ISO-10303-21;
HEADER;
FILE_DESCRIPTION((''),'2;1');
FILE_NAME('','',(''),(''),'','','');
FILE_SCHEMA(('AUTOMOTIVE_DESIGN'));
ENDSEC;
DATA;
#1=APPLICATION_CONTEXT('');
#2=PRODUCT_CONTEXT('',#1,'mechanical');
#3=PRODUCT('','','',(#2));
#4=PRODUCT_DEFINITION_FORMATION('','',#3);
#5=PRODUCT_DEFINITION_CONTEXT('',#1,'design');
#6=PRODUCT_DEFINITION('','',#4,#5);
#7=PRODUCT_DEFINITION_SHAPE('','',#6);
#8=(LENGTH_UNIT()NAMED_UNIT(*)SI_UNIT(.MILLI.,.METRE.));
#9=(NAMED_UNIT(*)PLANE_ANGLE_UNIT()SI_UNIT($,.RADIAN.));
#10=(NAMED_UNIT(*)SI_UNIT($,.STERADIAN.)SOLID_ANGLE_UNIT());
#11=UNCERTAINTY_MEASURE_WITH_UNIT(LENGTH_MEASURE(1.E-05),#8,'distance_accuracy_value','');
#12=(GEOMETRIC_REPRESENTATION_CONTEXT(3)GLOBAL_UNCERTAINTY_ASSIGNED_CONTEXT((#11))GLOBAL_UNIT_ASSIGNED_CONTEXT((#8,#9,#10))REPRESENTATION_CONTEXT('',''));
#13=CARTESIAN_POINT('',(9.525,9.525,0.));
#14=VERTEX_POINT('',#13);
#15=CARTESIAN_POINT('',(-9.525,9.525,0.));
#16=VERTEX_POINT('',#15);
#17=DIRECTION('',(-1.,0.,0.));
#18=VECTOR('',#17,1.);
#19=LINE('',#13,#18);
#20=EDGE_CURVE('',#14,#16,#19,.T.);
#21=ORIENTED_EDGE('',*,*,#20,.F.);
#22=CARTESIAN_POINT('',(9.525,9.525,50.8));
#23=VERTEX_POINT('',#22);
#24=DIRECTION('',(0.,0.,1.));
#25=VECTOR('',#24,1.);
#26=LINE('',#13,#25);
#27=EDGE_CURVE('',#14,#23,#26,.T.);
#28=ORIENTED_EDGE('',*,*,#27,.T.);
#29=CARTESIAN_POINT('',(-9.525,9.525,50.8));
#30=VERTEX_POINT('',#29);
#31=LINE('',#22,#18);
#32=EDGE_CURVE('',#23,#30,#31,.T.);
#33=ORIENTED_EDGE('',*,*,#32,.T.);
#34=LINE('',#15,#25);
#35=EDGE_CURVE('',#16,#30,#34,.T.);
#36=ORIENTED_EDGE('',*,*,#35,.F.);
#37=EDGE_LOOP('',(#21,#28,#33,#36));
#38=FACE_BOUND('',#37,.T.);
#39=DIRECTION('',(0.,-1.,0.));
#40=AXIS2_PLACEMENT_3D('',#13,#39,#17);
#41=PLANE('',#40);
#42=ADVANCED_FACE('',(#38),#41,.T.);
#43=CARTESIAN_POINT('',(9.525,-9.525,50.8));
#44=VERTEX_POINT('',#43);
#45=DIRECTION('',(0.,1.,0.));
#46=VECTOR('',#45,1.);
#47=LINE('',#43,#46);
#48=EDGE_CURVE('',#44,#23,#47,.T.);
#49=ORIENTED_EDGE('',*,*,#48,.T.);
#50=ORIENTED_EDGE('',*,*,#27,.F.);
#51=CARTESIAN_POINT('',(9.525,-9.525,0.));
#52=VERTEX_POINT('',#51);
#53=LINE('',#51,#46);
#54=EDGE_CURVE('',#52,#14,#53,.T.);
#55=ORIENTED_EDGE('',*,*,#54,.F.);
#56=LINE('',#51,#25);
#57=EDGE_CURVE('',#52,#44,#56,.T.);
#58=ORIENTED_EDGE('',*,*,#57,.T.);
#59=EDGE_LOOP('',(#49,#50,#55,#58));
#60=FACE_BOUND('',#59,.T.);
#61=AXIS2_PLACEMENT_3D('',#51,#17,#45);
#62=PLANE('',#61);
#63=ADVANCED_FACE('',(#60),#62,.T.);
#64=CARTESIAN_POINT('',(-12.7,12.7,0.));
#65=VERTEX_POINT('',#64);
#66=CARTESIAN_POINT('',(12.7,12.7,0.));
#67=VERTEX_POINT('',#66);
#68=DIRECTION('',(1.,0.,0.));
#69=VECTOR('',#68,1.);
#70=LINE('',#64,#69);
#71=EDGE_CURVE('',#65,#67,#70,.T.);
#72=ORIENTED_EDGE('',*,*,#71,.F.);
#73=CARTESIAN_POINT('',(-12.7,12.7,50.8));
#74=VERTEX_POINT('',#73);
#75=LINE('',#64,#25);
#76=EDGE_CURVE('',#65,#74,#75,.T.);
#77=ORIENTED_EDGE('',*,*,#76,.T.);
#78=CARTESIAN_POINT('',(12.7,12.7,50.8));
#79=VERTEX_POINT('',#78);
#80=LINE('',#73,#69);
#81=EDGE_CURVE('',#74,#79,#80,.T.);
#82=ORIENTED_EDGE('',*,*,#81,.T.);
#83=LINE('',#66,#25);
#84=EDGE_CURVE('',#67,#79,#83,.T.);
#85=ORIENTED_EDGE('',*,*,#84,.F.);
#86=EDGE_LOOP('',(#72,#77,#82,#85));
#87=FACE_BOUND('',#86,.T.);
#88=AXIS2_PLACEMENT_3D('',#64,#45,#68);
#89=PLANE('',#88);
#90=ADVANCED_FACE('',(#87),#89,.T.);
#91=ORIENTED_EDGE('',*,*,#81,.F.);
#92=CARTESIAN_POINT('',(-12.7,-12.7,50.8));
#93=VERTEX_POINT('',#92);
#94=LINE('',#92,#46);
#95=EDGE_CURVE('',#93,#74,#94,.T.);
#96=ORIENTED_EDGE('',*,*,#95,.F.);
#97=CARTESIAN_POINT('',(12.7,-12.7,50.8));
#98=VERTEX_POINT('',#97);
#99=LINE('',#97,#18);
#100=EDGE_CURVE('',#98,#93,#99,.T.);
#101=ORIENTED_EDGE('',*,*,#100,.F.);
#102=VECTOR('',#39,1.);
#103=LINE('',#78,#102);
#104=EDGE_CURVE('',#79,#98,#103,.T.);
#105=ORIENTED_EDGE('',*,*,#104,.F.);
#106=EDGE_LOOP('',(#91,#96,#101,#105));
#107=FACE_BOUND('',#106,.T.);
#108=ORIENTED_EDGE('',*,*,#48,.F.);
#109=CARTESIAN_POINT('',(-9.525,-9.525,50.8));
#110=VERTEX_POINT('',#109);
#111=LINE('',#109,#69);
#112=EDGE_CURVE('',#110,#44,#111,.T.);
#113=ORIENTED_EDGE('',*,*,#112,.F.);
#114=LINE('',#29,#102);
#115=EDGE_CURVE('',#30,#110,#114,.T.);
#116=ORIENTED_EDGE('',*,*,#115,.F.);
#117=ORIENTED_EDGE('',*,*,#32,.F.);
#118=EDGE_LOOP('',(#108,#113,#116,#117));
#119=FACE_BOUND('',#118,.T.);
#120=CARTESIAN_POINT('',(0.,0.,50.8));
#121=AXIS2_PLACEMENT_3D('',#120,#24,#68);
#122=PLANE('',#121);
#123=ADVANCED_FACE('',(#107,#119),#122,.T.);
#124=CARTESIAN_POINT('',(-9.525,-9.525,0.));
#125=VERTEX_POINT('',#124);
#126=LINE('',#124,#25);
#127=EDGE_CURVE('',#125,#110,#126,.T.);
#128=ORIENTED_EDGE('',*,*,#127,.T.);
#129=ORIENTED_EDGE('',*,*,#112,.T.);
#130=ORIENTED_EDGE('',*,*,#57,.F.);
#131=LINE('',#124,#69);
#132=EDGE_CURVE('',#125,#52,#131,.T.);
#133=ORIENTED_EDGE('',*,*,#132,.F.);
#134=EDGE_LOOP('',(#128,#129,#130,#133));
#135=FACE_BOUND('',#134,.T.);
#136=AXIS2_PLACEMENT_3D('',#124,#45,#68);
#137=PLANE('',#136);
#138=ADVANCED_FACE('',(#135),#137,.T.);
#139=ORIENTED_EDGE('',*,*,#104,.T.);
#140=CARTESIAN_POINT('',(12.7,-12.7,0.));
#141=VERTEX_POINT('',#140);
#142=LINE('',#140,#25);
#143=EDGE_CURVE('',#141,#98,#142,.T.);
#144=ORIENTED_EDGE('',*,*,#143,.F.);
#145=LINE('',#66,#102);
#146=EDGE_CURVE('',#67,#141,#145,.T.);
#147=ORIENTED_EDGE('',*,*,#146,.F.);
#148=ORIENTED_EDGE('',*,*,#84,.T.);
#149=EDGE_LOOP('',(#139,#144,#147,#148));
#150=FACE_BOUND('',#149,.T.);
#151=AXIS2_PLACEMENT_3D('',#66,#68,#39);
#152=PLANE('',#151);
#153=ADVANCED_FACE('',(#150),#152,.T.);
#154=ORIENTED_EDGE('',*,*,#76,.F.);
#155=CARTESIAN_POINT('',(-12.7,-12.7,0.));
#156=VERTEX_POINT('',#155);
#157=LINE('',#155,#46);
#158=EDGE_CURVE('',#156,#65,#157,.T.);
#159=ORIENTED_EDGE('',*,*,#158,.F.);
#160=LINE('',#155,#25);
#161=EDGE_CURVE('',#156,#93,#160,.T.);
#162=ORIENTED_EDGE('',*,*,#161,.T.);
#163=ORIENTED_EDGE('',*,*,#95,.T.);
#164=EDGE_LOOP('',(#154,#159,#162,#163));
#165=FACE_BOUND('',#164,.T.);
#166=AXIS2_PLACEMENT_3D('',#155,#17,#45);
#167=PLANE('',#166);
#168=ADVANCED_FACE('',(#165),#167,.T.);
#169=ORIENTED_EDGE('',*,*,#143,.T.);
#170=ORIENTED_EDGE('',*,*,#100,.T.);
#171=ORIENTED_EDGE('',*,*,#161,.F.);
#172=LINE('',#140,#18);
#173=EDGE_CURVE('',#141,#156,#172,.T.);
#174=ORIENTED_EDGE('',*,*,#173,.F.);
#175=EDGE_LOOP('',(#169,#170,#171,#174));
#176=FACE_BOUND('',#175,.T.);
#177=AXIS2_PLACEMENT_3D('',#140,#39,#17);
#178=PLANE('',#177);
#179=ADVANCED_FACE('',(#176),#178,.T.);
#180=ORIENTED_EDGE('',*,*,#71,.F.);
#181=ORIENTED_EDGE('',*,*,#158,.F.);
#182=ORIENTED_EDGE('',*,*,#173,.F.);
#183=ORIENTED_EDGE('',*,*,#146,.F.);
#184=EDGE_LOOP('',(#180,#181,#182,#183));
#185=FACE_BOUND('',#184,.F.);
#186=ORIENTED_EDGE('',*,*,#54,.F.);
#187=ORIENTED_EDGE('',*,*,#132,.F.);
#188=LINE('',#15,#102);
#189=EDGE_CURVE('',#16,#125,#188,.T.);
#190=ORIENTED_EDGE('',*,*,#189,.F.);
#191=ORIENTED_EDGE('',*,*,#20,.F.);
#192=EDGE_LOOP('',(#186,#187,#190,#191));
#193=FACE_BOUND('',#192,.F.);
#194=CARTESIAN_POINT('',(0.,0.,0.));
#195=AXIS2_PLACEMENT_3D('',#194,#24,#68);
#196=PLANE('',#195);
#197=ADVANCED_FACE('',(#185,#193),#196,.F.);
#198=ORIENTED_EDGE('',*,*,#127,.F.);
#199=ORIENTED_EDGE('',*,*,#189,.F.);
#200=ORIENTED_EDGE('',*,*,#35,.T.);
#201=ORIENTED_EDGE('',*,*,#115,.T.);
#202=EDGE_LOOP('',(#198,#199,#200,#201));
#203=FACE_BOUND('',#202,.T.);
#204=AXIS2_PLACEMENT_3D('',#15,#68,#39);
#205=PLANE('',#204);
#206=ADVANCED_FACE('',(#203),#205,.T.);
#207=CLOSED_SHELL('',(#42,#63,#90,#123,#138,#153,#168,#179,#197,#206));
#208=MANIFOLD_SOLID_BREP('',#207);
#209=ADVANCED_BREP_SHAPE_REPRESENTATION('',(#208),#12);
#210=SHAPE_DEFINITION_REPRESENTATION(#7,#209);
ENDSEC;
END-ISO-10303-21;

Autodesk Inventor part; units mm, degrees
ref_plane "YZ Plane" through (0, 0, 0) normal (1, 0, 0) x (0, 1, 0)
ref_plane "Start Plane" through (0, 0, 0) normal (0, 0, 1) x (1, 0, 0)
ref_plane "End Plane" through (0, 0, 50.8) normal (0, 0, 1) x (1, 0, 0)
sketch "Sketch1" plane through (0, 0, 0) normal (0, 0, 1) x (1, 0, 0)
  line L0 (-12.7, 12.7) -> (12.7, 12.7)
  line L1 (12.7, 12.7) -> (12.7, -12.7)
  line L2 (12.7, -12.7) -> (-12.7, -12.7)
  line L3 (-12.7, -12.7) -> (-12.7, 12.7)
  line L4 (9.525, 9.525) -> (-9.525, 9.525)
  line L5 (-9.525, 9.525) -> (-9.525, -9.525)
  line L6 (-9.525, -9.525) -> (9.525, -9.525)
  line L7 (9.525, -9.525) -> (9.525, 9.525)
  point P0 (0, 0)
  point P1 (0, 12.7)
  point P2 (-12.7, 0)
  dimension "width" = 25.4
  dimension "d1" = 3.175
extrude "Body" add sketch "Sketch1" along normal up to surface (50.8 mm away) from surface at 0
sketch "Sketch4" plane through (0, 0, 0) normal (0, 0, 1) x (1, 0, 0)
  line L0 (0, 0) -> (10, 0)
ref_plane "Work Plane4" through (0, 0, 0) normal (0, -1, 0) x (1, 0, 0)
sketch "Sketch5" plane through (0, 0, 0) normal (0, -1, 0) x (1, 0, 0)
  line L0 (-17.78, 0) -> (17.78, 0)
  line L1 (-17.78, 50.8) -> (17.78, 50.8)
  dimension "d9" = 50.8
equation "\"G_OFFSET_START\" = 0"
equation "\"G_OFFSET_END\" = 0"
equation "\"d5\" = length + G_OFFSET_END"
equation "\"G_L\" = d9"
equation "\"length\" = 50.8"
properties part number "Square Tube Profile"
